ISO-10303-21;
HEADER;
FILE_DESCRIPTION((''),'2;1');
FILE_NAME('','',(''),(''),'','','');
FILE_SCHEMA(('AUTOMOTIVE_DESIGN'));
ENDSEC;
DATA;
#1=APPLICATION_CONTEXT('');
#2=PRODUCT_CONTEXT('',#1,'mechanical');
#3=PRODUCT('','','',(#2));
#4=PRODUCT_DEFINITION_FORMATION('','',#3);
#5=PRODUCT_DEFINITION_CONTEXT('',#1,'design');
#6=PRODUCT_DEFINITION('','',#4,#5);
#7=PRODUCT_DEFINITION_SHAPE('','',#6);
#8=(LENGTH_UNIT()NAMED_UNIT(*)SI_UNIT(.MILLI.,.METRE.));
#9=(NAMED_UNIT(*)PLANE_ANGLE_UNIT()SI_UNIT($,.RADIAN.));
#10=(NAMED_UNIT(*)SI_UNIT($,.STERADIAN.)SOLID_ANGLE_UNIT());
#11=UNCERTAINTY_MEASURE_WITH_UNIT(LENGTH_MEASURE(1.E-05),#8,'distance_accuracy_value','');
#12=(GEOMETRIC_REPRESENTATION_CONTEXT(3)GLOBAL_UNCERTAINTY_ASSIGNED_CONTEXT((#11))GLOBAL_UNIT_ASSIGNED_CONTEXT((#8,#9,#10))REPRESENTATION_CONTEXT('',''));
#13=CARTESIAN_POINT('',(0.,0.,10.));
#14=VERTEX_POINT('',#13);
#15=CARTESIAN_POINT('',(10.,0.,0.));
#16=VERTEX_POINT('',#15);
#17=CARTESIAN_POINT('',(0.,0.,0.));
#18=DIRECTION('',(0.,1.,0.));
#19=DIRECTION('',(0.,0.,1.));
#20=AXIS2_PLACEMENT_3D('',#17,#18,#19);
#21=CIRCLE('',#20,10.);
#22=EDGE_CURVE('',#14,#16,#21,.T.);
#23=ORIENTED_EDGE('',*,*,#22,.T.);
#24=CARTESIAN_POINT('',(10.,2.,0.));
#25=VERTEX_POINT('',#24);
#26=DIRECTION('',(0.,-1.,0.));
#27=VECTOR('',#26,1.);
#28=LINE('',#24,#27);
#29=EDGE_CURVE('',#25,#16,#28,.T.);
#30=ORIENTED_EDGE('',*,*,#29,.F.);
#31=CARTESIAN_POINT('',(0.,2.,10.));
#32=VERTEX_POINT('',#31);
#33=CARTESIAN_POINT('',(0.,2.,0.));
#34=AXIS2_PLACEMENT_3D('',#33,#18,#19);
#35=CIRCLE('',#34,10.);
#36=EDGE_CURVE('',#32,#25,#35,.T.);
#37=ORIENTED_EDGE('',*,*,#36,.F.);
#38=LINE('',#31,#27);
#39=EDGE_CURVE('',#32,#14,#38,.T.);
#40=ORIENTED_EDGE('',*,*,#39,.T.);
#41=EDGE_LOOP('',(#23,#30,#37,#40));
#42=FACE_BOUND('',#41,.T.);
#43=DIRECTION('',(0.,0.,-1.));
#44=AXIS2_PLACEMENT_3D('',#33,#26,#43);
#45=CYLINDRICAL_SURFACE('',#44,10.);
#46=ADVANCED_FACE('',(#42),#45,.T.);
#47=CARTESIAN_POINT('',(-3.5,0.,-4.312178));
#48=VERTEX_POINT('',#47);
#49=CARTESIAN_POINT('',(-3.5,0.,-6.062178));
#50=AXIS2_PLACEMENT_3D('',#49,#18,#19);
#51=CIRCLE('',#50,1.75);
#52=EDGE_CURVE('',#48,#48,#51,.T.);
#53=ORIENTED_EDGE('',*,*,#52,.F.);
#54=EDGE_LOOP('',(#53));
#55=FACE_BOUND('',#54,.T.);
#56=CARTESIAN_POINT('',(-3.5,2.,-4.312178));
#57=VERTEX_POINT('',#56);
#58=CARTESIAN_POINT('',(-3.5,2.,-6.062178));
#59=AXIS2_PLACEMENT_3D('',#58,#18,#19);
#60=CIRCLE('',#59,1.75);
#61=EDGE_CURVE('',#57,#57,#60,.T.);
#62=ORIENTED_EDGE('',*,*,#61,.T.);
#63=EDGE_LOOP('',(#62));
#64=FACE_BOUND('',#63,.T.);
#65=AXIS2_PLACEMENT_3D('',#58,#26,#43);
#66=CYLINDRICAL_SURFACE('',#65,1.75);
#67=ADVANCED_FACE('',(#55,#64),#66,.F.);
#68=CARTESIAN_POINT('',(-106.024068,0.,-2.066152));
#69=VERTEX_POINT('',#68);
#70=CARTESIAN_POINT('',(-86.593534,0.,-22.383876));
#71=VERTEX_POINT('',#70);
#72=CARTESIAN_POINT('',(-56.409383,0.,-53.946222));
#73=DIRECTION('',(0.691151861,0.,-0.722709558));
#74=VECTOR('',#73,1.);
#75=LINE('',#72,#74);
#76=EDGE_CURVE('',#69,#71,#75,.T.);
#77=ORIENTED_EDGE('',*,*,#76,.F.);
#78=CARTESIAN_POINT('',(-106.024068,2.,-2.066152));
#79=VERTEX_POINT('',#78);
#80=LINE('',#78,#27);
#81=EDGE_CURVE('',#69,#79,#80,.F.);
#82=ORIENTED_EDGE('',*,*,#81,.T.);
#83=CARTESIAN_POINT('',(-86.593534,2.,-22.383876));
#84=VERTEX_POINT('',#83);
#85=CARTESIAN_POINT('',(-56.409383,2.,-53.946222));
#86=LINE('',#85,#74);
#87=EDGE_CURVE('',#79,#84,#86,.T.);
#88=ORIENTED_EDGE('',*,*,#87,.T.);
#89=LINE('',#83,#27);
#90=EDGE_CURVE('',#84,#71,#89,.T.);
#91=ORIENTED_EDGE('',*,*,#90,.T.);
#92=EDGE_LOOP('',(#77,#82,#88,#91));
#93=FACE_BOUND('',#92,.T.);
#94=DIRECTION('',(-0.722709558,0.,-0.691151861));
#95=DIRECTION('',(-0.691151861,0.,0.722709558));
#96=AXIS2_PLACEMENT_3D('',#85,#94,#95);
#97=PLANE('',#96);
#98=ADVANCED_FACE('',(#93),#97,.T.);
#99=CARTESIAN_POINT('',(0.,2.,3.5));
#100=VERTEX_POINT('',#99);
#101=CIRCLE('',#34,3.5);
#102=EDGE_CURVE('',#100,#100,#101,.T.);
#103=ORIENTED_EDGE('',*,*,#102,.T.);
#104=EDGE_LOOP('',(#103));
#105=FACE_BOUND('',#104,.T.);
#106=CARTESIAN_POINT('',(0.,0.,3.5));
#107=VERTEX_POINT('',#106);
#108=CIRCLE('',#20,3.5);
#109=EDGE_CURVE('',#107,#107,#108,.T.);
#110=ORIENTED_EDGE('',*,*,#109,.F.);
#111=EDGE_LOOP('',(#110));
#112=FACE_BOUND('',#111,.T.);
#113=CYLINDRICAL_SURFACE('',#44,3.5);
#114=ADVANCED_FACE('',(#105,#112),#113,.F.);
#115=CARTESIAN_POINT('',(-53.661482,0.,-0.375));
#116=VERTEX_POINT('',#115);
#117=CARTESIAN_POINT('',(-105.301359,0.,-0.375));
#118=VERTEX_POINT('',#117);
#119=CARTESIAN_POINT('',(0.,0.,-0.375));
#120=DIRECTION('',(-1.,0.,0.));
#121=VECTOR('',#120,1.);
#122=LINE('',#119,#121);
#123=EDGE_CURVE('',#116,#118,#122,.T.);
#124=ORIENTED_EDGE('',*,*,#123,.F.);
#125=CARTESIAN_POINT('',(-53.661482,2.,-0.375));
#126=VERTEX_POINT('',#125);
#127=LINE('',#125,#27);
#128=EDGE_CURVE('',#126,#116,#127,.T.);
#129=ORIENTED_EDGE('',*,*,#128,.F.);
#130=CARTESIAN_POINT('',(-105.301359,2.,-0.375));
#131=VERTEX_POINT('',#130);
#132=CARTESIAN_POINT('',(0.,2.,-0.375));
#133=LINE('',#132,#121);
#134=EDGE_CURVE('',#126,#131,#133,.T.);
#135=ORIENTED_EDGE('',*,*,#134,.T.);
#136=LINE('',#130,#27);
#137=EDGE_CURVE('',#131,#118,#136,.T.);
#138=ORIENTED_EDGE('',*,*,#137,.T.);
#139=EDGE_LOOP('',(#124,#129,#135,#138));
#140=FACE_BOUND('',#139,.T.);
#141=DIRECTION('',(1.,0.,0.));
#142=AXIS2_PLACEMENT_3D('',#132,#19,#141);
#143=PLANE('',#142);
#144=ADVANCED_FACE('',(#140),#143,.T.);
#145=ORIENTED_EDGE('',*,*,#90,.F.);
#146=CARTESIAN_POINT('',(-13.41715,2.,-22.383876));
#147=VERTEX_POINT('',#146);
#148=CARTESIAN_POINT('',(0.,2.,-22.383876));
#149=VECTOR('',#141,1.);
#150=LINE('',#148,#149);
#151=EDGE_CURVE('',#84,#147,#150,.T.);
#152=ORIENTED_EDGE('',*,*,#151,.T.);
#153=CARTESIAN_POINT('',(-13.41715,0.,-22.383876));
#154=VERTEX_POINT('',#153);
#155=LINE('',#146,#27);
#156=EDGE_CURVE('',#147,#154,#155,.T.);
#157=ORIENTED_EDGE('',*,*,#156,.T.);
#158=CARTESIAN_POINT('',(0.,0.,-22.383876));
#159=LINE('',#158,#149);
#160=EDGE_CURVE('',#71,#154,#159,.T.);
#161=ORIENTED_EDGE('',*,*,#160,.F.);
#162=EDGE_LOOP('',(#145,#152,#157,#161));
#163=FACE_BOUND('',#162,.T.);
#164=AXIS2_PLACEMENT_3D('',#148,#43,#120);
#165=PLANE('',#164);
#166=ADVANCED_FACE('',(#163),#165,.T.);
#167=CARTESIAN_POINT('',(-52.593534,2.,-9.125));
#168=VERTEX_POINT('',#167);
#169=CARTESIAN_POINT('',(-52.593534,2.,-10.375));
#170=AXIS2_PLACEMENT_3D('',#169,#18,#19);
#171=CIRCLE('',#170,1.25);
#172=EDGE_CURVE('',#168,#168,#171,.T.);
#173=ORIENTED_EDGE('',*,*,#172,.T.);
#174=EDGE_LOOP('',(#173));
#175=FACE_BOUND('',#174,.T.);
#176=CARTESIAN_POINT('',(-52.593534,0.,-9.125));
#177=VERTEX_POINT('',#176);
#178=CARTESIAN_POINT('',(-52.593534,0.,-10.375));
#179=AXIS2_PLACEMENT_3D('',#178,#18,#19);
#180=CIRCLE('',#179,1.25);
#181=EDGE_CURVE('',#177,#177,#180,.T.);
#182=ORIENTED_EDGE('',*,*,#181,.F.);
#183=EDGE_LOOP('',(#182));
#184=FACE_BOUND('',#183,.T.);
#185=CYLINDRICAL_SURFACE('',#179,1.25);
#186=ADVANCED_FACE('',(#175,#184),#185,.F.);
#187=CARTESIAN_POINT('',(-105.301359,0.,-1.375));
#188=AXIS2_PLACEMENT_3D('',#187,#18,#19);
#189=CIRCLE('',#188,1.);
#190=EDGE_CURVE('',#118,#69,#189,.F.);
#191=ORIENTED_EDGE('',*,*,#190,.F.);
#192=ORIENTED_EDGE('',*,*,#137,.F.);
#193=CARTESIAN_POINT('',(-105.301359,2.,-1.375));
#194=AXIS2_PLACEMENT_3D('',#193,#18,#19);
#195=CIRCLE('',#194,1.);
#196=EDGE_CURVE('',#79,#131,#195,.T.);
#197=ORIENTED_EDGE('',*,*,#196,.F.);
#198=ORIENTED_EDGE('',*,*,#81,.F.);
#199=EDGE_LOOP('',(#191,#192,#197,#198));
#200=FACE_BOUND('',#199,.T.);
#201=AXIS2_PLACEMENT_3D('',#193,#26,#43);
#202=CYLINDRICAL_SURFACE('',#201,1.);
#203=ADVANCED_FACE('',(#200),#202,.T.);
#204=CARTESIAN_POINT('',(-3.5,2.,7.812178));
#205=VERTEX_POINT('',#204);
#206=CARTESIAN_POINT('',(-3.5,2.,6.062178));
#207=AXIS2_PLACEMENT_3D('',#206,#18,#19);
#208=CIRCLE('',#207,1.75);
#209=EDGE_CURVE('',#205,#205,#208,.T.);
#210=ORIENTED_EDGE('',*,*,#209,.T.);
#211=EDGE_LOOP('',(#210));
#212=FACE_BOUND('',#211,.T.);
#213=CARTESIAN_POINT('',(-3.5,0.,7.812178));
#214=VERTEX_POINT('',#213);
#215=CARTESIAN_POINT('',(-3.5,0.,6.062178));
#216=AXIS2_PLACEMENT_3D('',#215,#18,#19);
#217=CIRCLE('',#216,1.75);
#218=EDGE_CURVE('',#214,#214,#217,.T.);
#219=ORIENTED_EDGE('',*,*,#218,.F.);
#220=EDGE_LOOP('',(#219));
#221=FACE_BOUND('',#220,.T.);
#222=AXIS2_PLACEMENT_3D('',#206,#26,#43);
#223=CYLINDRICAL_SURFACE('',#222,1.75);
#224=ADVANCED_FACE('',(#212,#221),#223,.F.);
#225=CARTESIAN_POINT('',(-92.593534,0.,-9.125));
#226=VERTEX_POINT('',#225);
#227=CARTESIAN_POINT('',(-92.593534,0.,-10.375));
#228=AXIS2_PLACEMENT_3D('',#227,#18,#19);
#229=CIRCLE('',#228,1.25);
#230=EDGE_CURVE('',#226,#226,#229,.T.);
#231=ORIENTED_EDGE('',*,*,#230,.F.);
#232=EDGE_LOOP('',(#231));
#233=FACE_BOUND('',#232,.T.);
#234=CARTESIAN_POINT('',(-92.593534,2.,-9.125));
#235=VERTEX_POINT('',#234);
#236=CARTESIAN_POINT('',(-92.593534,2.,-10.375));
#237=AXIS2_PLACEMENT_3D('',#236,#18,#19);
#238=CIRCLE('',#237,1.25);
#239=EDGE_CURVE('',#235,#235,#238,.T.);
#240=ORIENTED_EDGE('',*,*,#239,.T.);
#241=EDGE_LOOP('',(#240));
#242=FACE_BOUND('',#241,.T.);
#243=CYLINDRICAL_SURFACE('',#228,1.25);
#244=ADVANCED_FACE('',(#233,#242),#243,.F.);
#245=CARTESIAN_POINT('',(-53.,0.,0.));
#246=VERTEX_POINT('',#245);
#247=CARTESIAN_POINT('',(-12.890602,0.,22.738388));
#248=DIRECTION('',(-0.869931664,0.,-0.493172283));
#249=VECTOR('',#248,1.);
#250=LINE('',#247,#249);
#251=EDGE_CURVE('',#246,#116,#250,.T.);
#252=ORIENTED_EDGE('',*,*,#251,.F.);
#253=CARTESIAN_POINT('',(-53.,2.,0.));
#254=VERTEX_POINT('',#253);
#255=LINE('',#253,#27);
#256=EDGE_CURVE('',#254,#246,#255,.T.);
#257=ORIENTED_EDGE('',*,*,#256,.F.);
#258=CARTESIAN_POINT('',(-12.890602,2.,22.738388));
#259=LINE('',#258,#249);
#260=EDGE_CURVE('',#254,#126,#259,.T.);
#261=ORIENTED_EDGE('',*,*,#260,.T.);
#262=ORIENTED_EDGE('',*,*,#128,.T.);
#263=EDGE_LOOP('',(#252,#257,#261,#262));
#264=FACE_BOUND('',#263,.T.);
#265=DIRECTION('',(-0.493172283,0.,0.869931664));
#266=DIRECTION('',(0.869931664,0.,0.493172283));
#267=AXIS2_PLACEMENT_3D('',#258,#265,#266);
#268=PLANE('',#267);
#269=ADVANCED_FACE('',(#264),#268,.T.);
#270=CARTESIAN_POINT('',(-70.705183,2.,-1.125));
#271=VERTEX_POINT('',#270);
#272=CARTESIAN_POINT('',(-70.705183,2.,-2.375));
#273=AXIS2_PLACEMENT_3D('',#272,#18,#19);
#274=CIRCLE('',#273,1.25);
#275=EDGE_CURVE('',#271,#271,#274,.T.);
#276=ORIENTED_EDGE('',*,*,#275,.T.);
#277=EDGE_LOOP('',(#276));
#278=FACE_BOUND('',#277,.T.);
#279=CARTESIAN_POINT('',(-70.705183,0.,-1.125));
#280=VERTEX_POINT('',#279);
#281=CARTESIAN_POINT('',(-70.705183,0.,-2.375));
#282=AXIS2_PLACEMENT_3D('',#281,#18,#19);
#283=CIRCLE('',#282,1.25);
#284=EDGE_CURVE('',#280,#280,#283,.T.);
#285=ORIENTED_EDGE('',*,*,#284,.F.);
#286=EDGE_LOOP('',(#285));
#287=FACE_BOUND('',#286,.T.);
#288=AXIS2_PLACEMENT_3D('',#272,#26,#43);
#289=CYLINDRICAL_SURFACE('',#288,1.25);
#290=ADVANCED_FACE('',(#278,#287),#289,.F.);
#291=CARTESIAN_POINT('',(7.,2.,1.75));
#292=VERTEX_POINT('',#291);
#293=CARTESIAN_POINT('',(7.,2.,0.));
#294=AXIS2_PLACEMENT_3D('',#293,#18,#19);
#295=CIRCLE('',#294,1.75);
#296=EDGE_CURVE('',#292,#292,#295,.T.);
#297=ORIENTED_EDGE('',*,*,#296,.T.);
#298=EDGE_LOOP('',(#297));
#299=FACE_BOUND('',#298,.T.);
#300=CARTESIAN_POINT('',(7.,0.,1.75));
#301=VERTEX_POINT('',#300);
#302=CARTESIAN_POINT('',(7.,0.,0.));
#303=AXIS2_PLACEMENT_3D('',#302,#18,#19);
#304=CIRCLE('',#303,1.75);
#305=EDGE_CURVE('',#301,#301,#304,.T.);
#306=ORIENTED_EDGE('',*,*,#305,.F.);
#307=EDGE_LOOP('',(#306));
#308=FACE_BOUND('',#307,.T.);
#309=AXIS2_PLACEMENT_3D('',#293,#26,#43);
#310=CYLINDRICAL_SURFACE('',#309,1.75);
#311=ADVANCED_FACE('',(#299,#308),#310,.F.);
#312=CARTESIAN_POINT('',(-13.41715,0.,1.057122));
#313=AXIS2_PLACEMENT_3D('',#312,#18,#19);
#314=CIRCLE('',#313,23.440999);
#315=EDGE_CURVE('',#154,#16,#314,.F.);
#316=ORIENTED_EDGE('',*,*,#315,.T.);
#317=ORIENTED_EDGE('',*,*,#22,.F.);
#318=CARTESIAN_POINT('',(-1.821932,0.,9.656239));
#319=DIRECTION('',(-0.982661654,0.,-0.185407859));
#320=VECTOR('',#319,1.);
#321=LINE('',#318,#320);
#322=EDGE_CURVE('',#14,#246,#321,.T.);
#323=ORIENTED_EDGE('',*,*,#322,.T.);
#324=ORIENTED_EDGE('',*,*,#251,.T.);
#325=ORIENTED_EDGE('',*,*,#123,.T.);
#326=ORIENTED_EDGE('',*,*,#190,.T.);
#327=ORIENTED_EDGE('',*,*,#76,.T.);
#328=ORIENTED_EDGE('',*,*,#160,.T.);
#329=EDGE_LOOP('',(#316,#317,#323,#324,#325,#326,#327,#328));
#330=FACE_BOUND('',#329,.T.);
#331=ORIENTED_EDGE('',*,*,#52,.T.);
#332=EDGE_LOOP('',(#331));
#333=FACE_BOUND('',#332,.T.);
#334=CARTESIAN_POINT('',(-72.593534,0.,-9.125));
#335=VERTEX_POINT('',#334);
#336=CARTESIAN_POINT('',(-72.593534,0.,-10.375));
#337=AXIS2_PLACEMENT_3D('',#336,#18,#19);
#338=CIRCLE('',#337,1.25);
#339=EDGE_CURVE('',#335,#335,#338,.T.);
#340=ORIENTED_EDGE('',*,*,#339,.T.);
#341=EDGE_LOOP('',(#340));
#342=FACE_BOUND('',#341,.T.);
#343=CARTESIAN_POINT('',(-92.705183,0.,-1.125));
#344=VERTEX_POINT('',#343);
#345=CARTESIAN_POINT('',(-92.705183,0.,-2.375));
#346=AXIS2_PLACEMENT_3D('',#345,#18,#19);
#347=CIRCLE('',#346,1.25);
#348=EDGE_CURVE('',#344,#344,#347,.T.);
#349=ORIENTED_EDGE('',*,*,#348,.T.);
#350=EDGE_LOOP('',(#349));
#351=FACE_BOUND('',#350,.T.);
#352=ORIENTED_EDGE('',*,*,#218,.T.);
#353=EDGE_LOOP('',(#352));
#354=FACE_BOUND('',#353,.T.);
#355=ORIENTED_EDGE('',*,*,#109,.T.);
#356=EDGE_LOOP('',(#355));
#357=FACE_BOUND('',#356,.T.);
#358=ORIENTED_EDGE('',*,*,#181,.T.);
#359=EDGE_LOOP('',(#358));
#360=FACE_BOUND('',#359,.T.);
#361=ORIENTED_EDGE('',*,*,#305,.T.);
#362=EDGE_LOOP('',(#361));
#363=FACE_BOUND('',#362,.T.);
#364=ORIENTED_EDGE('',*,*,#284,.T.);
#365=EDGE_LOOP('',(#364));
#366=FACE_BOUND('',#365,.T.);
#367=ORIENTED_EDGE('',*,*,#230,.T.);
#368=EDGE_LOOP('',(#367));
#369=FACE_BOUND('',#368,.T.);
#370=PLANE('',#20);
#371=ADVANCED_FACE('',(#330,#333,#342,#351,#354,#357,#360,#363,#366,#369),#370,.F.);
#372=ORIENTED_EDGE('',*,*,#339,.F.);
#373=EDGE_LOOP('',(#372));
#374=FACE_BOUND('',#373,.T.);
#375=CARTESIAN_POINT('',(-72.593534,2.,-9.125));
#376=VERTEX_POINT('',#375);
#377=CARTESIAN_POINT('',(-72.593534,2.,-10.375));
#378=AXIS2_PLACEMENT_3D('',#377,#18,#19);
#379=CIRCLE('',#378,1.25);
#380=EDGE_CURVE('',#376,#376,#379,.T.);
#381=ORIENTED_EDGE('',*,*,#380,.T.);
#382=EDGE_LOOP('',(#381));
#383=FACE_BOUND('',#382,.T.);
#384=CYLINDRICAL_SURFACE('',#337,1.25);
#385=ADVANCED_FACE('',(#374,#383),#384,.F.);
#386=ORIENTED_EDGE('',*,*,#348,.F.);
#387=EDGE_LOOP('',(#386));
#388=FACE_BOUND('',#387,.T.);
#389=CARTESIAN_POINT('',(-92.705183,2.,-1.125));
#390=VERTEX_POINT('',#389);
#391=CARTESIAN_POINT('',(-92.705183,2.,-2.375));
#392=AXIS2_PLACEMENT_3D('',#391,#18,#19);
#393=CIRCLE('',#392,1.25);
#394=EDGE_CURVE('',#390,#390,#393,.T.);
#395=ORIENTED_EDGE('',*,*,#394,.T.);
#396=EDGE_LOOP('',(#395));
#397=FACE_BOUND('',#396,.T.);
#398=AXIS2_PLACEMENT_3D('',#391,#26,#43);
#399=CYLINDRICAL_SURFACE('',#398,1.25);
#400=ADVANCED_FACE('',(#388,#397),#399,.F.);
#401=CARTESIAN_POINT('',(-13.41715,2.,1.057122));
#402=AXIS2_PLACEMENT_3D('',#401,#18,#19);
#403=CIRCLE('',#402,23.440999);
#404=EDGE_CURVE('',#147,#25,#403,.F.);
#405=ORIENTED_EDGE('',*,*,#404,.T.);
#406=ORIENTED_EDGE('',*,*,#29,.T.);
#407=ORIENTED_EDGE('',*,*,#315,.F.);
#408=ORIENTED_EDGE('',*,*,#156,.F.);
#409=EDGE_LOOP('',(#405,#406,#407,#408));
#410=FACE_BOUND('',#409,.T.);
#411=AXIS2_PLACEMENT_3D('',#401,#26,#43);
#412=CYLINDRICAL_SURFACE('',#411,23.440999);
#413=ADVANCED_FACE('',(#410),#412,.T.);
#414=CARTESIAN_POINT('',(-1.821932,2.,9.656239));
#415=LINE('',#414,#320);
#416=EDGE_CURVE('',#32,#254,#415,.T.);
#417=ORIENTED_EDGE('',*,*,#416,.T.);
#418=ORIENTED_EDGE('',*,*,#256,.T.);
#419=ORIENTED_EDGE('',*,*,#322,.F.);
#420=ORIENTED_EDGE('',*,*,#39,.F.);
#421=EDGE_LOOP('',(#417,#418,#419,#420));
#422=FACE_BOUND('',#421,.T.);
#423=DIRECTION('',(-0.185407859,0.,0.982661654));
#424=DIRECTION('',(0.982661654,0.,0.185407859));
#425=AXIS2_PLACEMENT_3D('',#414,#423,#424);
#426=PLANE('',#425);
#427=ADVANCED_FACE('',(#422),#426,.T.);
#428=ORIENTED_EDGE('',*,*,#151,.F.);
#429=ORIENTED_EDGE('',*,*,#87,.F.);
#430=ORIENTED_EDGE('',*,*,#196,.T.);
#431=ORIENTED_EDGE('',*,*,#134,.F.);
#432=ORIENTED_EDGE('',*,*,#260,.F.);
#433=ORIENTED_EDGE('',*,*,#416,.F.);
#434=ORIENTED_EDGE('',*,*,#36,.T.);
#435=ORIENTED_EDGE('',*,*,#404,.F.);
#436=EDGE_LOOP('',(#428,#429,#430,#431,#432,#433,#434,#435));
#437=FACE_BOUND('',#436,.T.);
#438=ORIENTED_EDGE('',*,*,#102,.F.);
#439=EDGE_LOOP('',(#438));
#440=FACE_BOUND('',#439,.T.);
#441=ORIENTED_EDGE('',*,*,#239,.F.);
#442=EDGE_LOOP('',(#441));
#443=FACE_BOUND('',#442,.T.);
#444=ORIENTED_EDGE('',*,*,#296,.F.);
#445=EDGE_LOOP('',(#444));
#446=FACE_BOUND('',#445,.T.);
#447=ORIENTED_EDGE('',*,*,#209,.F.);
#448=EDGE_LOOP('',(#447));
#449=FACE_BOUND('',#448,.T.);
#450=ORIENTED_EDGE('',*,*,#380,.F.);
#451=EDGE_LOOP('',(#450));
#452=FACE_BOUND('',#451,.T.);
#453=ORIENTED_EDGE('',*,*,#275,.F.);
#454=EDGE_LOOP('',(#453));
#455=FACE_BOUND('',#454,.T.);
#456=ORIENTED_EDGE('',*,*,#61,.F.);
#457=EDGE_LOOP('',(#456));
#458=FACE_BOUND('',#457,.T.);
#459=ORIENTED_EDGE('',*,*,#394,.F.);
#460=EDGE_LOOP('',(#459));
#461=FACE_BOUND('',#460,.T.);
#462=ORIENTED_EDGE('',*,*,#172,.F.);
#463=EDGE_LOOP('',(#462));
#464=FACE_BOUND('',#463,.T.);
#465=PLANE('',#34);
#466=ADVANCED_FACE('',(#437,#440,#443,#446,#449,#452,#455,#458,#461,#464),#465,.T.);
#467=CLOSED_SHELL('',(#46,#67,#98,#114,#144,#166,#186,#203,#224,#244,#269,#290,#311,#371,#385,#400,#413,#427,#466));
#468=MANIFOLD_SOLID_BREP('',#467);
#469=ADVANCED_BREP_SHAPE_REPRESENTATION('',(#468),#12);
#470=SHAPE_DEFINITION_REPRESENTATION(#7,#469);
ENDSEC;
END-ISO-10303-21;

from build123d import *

# Parameters (mm, degrees)
SKETCH1_R                = 1.25
SKETCH1_R_2              = 1.75
BOSS_EXTRUDE1_DEPTH      = 2
FILLET_1_R               = 1
SKETCH_1_R               = 1.25
CUT_EXTRUDE_1_DEPTH      = 1
CUT_EXTRUDE_1_DEPTH_BACK = 3


with BuildPart() as part:
    # Sketch1 → Boss-Extrude1 (new body)
    with BuildSketch(Plane(origin=(0, 0, 0), x_dir=(1, 0, 0), z_dir=(0, 1, 0))):
        with BuildLine():
            Line((-13.417150151, 22.383876488), (-69.977405348, 22.383876488))
            Line((-69.977405348, 22.383876488), (-86.593533576, 22.383876488))
            Line((-86.593533576, 22.383876488), (-107.641374678, 0.375))
            Line((-107.641374678, 0.375), (-53.661481565, 0.375))
            Line((-53.661481565, 0.375), (-53, 0))
            Line((-53, 0), (0, -10))
            Line((0, -10), (0, -3.5))
            ThreePointArc((0, -3.5), (-3.5, 0), (0, 3.5))
            Line((0, 3.5), (0, 10))
            ThreePointArc((0, 10), (6.493821579, 7.604622364), (9.876612161, 1.566056261))
            ThreePointArc((9.876612161, 1.566056261), (2.20319717, 16.421011896), (-13.417150151, 22.383876488))
        make_face()
        with Locations((-92.705183178, 2.375)):
            Circle(SKETCH1_R, mode=Mode.SUBTRACT)
        with Locations((-70.705183178, 2.375)):
            Circle(SKETCH1_R, mode=Mode.SUBTRACT)
        with Locations((-3.5, -6.062177826)):
            Circle(SKETCH1_R_2, mode=Mode.SUBTRACT)
        with Locations((-3.5, 6.062177826)):
            Circle(SKETCH1_R_2, mode=Mode.SUBTRACT)
        with BuildLine():
            ThreePointArc((10, 0), (9.951428515, 0.784062032), (9.876612161, 1.566056261))
            ThreePointArc((9.876612161, 1.566056261), (6.493821579, 7.604622364), (0, 10))
            Line((0, 10), (0, 3.5))
            ThreePointArc((0, 3.5), (2.474873734, 2.474873734), (3.5, 0))
            ThreePointArc((3.5, 0), (2.474873734, -2.474873734), (0, -3.5))
            Line((0, -3.5), (0, -10))
            ThreePointArc((0, -10), (7.071067812, -7.071067812), (10, 0))
        make_face()
        with Locations((7, 0)):
            Circle(SKETCH1_R_2, mode=Mode.SUBTRACT)
    extrude(amount=BOSS_EXTRUDE1_DEPTH)

    # Скругление1
    fillet_1_edges = [part.edges().sort_by_distance(p)[0] for p in [
        (-107.641374678, 1, -0.375),
    ]]
    fillet(fillet_1_edges, radius=FILLET_1_R)

    # Эскиз1 → Вырез-Вытянуть1 (cut, two sides)
    with BuildSketch(Plane(origin=(0, 2, 0), x_dir=(1, 0, 0), z_dir=(0, 1, 0))) as cut_extrude_1_sk:
        with Locations((-92.593533576, 10.375)):
            Circle(SKETCH_1_R)
        with Locations((-72.593533576, 10.375)):
            Circle(SKETCH_1_R)
        with Locations((-52.593533576, 10.375)):
            Circle(SKETCH_1_R)
    extrude(amount=CUT_EXTRUDE_1_DEPTH, mode=Mode.SUBTRACT)
    extrude(cut_extrude_1_sk.sketch, amount=-CUT_EXTRUDE_1_DEPTH_BACK, mode=Mode.SUBTRACT)


solid = part.part
